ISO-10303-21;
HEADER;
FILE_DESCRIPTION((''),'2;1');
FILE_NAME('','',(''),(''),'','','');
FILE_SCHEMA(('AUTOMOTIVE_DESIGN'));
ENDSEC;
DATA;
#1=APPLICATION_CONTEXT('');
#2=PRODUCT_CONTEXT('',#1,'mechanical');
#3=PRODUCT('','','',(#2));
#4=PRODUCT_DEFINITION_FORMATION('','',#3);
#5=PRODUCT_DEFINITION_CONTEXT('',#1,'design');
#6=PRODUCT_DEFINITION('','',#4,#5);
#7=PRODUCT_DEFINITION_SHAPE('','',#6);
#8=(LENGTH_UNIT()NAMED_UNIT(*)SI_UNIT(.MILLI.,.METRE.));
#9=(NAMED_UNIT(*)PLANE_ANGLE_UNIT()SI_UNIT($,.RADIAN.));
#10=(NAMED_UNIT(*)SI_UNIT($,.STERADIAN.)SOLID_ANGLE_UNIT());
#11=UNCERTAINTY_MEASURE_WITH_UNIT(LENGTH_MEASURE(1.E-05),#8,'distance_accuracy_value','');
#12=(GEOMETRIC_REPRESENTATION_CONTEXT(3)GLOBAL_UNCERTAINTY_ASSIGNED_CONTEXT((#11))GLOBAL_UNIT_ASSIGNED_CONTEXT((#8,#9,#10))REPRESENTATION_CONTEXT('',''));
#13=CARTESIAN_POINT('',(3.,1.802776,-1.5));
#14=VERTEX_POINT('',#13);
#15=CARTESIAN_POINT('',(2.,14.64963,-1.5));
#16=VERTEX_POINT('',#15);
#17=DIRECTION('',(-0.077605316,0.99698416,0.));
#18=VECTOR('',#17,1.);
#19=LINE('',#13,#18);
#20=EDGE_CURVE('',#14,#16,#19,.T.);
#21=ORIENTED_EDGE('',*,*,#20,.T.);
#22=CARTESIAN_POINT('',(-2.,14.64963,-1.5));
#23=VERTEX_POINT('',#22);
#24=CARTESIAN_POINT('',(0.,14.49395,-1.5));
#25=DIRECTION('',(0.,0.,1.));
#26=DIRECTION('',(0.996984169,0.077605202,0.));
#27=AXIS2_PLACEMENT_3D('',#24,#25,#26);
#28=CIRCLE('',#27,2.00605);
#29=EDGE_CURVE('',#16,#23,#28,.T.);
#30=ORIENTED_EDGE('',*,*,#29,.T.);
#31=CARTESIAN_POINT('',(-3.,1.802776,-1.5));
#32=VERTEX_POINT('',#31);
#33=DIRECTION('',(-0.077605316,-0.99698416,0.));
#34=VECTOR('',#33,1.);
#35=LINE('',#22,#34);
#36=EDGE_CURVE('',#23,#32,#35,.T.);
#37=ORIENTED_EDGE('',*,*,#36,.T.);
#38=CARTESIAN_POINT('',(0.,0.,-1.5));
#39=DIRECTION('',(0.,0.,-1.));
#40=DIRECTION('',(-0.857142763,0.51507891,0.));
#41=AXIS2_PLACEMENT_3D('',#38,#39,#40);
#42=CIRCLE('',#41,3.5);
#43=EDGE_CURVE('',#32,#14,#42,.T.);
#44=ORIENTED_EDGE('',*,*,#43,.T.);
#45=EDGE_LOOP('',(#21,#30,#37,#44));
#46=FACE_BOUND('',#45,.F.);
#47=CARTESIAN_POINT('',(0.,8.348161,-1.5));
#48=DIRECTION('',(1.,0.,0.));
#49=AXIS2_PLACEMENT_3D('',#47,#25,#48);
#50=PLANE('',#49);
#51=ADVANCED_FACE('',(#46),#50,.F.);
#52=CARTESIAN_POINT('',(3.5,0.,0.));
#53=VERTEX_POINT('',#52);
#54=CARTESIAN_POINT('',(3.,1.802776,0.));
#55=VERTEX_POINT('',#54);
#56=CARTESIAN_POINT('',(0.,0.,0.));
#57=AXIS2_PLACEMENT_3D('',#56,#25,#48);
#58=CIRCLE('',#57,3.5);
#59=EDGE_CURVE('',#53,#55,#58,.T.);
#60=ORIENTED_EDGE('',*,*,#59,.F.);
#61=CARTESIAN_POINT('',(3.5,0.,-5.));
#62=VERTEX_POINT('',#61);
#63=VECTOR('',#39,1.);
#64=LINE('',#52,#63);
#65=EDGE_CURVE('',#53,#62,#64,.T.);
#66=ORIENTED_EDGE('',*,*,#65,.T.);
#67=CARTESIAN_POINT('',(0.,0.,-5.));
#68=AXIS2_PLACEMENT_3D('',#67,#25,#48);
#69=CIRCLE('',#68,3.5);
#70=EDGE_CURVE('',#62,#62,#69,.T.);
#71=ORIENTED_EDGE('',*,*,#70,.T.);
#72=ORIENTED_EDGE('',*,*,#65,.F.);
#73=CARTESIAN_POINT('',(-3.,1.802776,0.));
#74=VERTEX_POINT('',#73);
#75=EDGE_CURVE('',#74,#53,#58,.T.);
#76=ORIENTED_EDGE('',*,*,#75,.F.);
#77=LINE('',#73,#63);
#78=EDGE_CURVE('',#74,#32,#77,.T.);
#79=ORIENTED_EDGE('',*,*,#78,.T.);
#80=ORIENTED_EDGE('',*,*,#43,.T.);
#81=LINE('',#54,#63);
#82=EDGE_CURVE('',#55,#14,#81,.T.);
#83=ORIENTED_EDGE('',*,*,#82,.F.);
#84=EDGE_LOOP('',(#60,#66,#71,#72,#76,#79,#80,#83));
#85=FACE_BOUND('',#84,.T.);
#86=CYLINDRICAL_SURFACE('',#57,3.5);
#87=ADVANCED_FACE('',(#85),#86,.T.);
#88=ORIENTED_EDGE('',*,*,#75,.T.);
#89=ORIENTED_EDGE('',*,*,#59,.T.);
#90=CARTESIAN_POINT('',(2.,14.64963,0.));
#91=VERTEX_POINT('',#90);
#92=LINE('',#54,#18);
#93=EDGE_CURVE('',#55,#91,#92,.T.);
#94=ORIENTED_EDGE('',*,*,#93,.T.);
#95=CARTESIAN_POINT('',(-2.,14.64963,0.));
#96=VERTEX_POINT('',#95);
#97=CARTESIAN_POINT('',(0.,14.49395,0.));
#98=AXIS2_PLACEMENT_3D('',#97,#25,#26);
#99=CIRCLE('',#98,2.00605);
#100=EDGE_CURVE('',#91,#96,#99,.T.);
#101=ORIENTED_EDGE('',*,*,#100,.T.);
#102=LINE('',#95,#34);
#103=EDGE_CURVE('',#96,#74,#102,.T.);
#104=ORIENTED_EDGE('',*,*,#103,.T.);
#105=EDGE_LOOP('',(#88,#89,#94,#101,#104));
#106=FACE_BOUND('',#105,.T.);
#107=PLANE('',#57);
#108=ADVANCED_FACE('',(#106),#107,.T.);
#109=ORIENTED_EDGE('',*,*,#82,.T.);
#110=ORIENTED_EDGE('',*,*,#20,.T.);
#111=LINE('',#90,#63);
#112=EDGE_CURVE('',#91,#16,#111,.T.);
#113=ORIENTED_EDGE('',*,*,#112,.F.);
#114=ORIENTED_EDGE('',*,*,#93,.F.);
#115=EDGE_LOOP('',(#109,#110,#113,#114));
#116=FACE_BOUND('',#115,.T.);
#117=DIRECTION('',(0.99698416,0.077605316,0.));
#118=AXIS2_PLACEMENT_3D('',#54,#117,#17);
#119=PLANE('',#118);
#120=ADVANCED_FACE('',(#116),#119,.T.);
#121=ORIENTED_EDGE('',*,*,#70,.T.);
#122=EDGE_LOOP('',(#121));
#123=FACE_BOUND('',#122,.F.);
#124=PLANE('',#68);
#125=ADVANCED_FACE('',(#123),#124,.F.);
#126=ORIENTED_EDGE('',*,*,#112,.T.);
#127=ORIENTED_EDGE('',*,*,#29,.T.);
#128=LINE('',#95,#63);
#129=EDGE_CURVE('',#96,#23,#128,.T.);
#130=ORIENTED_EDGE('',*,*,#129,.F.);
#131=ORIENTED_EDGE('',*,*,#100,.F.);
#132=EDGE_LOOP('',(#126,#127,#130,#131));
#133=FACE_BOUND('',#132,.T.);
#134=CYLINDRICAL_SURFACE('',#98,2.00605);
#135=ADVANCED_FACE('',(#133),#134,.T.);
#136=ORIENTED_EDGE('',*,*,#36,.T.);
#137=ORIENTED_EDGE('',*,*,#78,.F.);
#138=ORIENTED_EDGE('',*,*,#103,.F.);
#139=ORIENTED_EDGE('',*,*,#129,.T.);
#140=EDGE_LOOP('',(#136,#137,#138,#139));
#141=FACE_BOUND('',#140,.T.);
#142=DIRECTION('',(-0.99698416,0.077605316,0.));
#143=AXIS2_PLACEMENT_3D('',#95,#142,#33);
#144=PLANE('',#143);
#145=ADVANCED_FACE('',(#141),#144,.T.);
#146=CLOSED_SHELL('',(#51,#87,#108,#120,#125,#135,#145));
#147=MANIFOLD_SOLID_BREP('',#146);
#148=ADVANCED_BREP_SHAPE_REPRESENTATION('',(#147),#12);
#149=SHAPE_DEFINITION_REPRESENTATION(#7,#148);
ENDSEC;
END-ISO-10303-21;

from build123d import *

# Parameters (mm, degrees)
F0_R     = 3.5
F1_DEPTH = 5
F3_DEPTH = 1.5


with BuildPart() as f1:
    # F0 (on Top) → F1 (new body)
    with BuildSketch(Plane.XY):
        Circle(F0_R)
    extrude(amount=-F1_DEPTH)

    # F2 (on Top) → F3 (join)
    with BuildSketch(Plane.XY):
        with BuildLine():
            Line((3, 1.802776), (2, 14.64963))
            ThreePointArc((2, 14.64963), (0, 16.5), (-2, 14.64963))
            Line((-2, 14.64963), (-3, 1.802776))
            ThreePointArc((-3, 1.802776), (0, 3.5), (3, 1.802776))
        make_face()
    extrude(amount=-F3_DEPTH)


solid = f1.part
